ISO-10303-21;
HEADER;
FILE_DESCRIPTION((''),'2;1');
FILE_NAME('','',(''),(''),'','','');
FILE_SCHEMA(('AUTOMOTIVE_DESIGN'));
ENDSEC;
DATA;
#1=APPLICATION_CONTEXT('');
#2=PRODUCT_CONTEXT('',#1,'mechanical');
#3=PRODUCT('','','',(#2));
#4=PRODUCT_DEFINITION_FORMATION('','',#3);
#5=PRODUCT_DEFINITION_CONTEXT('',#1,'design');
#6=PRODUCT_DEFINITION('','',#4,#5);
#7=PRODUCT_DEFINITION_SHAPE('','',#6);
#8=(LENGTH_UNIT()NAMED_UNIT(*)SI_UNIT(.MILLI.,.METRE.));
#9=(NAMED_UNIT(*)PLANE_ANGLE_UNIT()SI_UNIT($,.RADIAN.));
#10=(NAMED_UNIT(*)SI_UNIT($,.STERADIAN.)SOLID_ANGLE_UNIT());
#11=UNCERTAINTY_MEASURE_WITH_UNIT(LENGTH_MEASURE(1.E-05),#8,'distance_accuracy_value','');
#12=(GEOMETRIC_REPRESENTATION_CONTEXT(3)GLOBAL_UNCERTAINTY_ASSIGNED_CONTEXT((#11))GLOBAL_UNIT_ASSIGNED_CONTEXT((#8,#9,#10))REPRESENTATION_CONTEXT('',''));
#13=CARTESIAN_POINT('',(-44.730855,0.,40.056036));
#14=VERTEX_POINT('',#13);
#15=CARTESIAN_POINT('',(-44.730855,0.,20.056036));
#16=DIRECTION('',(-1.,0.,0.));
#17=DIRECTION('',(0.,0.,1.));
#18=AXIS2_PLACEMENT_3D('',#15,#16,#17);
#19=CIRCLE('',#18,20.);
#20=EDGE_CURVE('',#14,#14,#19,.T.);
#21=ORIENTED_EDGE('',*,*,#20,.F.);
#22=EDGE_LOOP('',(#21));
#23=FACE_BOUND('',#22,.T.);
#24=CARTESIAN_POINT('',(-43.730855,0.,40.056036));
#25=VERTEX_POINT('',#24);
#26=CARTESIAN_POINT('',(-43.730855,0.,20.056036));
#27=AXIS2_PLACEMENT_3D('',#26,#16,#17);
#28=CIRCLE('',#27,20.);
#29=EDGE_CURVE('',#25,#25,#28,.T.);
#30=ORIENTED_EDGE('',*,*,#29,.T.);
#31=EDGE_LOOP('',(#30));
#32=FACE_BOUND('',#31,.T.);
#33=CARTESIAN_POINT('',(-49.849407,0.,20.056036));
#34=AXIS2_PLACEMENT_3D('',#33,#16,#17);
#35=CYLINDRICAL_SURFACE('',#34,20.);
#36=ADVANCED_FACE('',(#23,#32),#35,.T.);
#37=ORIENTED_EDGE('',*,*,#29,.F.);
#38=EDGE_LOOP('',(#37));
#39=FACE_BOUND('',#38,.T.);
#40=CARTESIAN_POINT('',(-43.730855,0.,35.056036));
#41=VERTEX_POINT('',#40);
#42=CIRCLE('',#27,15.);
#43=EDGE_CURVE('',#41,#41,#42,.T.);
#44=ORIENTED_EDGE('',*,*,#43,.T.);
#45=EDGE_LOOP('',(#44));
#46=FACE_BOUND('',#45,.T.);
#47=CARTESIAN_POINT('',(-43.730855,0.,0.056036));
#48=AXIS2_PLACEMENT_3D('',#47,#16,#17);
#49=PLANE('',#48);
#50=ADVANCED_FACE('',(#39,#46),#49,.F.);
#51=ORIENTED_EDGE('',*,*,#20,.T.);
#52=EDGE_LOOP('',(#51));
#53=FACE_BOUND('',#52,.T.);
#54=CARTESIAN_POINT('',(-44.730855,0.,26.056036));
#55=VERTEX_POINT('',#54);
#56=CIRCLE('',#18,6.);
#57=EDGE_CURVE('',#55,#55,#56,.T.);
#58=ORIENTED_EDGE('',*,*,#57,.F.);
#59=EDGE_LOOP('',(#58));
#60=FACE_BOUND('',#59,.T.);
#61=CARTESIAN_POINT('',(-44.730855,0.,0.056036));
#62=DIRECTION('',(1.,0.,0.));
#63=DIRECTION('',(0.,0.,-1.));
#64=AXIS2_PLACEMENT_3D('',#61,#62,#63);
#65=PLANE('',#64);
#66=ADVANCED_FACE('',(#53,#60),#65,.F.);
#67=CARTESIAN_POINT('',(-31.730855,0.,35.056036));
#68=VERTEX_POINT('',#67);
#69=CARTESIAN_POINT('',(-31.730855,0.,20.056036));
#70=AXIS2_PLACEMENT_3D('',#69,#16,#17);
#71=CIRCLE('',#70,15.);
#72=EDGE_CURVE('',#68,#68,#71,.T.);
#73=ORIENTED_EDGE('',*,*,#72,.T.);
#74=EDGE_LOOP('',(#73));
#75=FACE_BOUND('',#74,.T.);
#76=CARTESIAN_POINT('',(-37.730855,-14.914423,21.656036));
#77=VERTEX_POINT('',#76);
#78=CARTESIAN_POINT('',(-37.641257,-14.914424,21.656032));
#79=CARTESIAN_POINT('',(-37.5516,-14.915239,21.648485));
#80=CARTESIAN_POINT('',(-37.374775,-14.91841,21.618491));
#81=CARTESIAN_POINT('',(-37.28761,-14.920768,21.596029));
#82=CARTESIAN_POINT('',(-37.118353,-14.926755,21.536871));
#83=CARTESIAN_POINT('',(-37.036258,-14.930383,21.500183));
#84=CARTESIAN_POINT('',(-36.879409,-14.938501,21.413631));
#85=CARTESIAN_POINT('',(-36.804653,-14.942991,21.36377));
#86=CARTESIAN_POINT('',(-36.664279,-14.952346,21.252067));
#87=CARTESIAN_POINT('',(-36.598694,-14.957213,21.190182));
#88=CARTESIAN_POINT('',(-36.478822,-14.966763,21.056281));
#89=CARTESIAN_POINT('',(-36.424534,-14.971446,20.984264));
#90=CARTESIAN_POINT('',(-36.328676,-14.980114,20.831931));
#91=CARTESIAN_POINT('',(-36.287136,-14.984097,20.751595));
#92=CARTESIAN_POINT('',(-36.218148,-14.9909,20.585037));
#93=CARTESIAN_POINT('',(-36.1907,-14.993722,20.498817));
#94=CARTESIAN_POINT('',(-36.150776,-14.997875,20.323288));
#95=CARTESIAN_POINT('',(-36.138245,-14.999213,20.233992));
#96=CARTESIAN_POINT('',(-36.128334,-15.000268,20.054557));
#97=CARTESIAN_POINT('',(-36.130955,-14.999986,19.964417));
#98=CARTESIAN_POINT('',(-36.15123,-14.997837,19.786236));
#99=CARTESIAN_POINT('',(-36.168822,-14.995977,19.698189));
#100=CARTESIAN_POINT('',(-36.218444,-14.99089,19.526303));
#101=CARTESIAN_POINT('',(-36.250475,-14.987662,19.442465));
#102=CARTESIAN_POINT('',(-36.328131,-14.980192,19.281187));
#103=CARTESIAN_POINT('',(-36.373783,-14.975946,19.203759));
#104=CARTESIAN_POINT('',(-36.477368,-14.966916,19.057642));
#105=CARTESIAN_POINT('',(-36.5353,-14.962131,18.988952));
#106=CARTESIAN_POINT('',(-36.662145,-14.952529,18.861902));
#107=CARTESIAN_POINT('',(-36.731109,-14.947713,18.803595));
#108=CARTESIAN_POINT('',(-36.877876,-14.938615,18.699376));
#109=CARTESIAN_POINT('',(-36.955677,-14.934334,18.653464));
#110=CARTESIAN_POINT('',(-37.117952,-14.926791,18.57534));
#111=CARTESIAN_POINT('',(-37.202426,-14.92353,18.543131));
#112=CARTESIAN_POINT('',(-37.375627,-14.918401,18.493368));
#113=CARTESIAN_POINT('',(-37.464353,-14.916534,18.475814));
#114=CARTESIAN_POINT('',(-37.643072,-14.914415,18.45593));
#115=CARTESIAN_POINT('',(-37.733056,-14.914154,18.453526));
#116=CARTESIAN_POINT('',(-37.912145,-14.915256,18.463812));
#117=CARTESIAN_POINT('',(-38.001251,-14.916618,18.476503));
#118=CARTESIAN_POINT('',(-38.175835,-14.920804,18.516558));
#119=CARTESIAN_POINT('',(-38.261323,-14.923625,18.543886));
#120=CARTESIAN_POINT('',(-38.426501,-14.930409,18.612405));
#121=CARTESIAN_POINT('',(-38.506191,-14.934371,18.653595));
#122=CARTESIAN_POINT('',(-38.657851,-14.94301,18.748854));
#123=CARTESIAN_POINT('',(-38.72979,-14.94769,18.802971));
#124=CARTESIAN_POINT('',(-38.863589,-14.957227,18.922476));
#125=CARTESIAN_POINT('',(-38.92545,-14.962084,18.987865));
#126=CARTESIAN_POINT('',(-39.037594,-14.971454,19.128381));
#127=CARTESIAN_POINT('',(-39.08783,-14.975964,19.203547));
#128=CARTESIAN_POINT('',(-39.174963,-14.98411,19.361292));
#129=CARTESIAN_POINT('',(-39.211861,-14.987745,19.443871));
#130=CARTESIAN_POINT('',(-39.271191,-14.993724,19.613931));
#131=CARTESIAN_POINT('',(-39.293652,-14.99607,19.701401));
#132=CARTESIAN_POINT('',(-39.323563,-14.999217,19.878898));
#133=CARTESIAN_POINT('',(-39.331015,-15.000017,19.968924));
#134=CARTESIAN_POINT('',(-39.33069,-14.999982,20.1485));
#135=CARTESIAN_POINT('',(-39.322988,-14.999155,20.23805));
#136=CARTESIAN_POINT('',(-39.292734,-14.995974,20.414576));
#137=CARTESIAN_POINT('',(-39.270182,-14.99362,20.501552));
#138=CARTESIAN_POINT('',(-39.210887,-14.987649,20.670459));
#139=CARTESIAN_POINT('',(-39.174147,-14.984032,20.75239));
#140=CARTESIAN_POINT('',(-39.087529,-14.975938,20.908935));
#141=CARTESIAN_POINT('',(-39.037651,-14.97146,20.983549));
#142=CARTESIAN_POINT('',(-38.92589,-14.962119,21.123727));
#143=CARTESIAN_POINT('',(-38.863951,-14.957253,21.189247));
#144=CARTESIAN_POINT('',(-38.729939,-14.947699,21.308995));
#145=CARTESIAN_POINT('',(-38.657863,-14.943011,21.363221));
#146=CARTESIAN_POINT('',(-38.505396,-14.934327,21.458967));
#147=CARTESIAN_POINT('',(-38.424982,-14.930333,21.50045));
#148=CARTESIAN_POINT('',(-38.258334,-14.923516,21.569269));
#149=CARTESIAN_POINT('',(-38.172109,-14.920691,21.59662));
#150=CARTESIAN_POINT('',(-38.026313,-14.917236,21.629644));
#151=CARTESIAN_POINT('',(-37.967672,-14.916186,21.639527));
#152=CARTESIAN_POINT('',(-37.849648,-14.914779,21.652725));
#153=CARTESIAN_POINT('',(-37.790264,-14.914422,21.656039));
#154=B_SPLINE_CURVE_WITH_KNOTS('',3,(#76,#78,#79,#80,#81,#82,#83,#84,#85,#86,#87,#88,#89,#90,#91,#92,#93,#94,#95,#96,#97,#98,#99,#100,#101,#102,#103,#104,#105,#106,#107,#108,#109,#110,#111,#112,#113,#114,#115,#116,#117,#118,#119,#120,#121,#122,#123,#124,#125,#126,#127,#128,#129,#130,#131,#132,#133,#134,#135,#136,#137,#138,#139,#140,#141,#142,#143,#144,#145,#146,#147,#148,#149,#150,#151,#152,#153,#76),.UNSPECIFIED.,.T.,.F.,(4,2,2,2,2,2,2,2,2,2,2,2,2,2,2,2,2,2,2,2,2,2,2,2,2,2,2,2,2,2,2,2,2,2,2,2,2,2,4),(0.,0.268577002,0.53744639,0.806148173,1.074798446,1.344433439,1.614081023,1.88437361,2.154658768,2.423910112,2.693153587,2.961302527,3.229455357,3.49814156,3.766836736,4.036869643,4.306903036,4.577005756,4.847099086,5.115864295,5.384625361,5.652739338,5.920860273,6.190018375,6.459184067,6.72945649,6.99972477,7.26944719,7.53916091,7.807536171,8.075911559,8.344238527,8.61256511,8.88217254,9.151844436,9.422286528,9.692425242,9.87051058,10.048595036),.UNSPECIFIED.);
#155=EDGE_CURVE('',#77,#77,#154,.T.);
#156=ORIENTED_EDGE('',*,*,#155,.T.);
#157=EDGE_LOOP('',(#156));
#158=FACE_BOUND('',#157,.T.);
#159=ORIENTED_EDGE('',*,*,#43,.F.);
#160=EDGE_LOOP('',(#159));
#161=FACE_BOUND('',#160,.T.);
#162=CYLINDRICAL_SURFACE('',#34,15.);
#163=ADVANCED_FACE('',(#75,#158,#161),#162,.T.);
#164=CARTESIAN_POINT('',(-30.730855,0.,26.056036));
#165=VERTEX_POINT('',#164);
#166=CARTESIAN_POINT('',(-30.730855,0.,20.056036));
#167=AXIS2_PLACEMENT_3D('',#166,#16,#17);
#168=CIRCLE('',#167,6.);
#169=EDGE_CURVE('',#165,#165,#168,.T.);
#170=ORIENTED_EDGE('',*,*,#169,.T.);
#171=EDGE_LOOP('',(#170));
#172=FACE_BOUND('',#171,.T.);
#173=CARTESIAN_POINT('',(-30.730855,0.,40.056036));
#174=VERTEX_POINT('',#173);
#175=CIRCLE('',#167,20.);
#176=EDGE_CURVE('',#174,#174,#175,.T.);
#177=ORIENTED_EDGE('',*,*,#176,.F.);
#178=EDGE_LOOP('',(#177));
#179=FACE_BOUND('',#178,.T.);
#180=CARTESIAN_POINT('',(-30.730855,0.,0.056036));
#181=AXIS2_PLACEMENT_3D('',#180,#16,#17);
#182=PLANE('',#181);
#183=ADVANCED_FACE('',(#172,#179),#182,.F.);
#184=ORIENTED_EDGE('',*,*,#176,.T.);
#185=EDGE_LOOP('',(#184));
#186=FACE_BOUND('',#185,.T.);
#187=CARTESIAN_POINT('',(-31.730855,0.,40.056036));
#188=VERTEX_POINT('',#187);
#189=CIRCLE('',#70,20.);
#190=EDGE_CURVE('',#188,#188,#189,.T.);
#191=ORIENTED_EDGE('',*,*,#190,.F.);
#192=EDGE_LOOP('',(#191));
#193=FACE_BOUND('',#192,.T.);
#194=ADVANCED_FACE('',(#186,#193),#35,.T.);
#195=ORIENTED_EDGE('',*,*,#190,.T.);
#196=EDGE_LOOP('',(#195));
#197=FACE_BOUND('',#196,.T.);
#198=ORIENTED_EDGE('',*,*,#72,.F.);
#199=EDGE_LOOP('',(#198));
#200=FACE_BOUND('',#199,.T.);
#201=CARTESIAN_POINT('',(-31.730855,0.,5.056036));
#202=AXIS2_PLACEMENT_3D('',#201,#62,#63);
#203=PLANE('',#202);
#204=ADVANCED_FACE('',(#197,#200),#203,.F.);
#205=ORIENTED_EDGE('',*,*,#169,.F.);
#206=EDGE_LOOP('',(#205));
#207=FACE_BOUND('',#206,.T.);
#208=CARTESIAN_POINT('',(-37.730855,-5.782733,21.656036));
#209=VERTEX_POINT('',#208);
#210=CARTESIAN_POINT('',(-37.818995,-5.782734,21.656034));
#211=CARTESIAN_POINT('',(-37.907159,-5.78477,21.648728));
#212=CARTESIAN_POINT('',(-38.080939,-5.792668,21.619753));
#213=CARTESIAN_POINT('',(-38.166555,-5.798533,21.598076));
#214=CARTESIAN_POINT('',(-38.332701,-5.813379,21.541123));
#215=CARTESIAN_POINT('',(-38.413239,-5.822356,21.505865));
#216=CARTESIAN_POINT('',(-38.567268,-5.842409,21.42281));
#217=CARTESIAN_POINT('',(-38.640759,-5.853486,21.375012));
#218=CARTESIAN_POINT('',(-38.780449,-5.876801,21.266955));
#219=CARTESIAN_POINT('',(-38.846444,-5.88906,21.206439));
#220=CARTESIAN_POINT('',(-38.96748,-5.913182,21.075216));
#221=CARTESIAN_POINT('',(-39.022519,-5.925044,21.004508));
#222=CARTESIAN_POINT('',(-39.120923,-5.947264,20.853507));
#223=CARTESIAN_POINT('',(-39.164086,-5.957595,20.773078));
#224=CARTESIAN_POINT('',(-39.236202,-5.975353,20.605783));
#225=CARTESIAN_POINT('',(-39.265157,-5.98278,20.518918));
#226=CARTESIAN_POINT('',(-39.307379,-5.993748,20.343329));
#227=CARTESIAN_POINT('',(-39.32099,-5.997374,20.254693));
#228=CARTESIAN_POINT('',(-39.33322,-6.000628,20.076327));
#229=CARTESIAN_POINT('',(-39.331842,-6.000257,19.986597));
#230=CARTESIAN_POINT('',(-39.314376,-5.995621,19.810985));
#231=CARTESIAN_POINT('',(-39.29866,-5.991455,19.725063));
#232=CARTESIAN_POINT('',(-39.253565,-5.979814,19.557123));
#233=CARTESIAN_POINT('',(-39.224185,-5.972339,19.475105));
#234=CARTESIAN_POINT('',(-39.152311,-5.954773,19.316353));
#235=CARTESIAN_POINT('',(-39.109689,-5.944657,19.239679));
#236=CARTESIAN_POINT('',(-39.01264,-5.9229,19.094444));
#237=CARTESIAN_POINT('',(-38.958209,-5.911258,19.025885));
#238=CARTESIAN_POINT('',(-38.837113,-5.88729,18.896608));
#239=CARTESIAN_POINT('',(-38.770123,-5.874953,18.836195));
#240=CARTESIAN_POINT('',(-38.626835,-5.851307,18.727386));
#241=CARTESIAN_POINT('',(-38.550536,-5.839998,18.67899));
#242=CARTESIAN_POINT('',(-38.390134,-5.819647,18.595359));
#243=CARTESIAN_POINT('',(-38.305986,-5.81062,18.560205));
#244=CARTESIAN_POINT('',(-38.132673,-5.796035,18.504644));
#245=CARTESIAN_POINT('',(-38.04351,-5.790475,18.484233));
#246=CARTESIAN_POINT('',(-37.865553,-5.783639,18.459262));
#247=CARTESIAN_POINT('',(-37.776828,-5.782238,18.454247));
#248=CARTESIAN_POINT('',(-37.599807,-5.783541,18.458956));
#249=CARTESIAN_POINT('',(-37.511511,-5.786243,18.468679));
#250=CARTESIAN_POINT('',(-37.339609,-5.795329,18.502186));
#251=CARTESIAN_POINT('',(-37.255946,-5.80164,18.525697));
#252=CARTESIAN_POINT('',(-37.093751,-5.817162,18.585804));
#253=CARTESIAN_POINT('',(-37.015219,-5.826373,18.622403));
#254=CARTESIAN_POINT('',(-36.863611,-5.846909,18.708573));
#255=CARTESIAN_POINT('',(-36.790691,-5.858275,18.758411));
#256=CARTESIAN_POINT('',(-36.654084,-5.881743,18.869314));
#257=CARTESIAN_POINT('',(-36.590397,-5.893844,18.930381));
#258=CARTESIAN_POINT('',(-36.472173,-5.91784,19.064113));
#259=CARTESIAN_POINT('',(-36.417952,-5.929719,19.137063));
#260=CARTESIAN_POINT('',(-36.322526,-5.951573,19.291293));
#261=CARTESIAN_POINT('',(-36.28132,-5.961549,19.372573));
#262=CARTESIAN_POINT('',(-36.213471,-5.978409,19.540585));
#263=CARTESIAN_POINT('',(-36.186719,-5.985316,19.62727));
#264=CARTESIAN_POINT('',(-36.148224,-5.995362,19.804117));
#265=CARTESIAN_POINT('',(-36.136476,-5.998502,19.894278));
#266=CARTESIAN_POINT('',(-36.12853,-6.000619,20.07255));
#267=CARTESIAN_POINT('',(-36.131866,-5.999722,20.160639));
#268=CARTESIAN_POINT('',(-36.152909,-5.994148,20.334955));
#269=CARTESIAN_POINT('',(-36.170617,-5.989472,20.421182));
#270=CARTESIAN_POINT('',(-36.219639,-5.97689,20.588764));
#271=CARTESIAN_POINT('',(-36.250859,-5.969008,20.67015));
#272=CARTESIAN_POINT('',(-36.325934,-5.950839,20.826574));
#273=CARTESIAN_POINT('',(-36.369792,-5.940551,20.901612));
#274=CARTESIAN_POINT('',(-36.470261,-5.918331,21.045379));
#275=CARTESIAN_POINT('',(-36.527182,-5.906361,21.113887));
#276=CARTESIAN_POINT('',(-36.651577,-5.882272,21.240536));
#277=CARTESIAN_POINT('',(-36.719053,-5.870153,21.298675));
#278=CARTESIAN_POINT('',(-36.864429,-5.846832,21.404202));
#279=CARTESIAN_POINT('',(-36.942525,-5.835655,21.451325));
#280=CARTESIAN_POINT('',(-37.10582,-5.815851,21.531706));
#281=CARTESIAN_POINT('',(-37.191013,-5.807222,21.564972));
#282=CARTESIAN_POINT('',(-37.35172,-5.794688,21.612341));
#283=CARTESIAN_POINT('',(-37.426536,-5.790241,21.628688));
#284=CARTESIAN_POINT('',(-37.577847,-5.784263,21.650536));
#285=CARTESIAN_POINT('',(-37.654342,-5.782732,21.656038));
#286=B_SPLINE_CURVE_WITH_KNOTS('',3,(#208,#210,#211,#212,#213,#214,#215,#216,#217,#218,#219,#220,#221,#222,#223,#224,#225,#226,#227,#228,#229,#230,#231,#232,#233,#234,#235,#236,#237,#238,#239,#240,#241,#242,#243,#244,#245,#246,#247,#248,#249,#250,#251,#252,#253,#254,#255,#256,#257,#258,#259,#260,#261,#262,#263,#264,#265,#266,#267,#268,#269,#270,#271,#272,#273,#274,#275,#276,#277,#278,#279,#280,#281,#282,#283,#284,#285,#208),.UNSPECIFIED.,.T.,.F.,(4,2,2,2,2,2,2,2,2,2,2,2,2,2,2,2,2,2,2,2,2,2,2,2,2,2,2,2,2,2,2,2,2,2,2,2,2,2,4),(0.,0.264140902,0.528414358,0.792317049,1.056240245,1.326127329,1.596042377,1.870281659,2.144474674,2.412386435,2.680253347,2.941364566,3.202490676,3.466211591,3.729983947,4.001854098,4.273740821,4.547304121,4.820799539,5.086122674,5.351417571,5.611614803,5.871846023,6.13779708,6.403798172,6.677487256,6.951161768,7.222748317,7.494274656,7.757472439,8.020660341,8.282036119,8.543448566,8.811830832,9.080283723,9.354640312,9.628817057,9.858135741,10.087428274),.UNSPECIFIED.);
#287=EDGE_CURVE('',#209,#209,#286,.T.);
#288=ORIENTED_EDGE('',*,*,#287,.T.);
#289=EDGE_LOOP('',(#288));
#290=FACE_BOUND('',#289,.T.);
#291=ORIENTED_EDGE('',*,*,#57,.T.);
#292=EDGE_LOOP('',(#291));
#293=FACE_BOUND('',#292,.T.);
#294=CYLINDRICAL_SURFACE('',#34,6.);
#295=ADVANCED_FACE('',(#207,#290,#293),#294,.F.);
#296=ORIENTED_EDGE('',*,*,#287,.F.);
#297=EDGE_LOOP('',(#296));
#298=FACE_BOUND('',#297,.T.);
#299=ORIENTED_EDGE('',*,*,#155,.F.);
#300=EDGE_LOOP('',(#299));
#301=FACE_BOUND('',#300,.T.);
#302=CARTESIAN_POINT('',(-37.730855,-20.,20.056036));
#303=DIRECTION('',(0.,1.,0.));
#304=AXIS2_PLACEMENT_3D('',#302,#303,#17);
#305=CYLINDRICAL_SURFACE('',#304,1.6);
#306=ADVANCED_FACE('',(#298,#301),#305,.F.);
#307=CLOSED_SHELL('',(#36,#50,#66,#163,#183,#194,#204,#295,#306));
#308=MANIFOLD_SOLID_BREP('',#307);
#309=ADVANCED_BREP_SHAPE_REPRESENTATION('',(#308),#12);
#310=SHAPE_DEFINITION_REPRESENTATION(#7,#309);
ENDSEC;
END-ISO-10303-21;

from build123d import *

# Parameters (mm, degrees)
SKETCH_3_R          = 1.6
CUT_EXTRUDE_1_DEPTH = 64.287719075


with BuildPart() as part:
    # ｽｹｯﾁ2 → 回転1 (revolve)
    with BuildSketch(Plane(origin=(0, 0, 0), x_dir=(1, 0, 0), z_dir=(0, 1, 0)), mode=Mode.PRIVATE) as revolve_1_sk:
        Polygon((-44.73085458, -0.056036178), (-44.73085458, -14.056036178), (-30.73085458, -14.056036178), (-30.73085458, -0.056036178), (-31.73085458, -0.056036178), (-31.73085458, -5.056036178), (-43.73085458, -5.056036178), (-43.73085458, -0.056036178), align=None)
    revolve(revolve_1_sk.sketch.rotate(Axis((-49.849406884, 0, 20.056036178), (1, 0, 0)), 180), axis=Axis((-49.849406884, 0, 20.056036178), (1, 0, 0)))

    # ｽｹｯﾁ3 → ｶｯﾄ - 押し出し1 (cut, through all)
    with BuildSketch(Plane(origin=(0, 0, 0), x_dir=(1, 0, 0), z_dir=(0, 1, 0))):
        with Locations(Location((-37.73085458, -20.056036178, 0), (0, 0, 270))):
            Circle(SKETCH_3_R)
    extrude(amount=-CUT_EXTRUDE_1_DEPTH, mode=Mode.SUBTRACT)


solid = part.part
